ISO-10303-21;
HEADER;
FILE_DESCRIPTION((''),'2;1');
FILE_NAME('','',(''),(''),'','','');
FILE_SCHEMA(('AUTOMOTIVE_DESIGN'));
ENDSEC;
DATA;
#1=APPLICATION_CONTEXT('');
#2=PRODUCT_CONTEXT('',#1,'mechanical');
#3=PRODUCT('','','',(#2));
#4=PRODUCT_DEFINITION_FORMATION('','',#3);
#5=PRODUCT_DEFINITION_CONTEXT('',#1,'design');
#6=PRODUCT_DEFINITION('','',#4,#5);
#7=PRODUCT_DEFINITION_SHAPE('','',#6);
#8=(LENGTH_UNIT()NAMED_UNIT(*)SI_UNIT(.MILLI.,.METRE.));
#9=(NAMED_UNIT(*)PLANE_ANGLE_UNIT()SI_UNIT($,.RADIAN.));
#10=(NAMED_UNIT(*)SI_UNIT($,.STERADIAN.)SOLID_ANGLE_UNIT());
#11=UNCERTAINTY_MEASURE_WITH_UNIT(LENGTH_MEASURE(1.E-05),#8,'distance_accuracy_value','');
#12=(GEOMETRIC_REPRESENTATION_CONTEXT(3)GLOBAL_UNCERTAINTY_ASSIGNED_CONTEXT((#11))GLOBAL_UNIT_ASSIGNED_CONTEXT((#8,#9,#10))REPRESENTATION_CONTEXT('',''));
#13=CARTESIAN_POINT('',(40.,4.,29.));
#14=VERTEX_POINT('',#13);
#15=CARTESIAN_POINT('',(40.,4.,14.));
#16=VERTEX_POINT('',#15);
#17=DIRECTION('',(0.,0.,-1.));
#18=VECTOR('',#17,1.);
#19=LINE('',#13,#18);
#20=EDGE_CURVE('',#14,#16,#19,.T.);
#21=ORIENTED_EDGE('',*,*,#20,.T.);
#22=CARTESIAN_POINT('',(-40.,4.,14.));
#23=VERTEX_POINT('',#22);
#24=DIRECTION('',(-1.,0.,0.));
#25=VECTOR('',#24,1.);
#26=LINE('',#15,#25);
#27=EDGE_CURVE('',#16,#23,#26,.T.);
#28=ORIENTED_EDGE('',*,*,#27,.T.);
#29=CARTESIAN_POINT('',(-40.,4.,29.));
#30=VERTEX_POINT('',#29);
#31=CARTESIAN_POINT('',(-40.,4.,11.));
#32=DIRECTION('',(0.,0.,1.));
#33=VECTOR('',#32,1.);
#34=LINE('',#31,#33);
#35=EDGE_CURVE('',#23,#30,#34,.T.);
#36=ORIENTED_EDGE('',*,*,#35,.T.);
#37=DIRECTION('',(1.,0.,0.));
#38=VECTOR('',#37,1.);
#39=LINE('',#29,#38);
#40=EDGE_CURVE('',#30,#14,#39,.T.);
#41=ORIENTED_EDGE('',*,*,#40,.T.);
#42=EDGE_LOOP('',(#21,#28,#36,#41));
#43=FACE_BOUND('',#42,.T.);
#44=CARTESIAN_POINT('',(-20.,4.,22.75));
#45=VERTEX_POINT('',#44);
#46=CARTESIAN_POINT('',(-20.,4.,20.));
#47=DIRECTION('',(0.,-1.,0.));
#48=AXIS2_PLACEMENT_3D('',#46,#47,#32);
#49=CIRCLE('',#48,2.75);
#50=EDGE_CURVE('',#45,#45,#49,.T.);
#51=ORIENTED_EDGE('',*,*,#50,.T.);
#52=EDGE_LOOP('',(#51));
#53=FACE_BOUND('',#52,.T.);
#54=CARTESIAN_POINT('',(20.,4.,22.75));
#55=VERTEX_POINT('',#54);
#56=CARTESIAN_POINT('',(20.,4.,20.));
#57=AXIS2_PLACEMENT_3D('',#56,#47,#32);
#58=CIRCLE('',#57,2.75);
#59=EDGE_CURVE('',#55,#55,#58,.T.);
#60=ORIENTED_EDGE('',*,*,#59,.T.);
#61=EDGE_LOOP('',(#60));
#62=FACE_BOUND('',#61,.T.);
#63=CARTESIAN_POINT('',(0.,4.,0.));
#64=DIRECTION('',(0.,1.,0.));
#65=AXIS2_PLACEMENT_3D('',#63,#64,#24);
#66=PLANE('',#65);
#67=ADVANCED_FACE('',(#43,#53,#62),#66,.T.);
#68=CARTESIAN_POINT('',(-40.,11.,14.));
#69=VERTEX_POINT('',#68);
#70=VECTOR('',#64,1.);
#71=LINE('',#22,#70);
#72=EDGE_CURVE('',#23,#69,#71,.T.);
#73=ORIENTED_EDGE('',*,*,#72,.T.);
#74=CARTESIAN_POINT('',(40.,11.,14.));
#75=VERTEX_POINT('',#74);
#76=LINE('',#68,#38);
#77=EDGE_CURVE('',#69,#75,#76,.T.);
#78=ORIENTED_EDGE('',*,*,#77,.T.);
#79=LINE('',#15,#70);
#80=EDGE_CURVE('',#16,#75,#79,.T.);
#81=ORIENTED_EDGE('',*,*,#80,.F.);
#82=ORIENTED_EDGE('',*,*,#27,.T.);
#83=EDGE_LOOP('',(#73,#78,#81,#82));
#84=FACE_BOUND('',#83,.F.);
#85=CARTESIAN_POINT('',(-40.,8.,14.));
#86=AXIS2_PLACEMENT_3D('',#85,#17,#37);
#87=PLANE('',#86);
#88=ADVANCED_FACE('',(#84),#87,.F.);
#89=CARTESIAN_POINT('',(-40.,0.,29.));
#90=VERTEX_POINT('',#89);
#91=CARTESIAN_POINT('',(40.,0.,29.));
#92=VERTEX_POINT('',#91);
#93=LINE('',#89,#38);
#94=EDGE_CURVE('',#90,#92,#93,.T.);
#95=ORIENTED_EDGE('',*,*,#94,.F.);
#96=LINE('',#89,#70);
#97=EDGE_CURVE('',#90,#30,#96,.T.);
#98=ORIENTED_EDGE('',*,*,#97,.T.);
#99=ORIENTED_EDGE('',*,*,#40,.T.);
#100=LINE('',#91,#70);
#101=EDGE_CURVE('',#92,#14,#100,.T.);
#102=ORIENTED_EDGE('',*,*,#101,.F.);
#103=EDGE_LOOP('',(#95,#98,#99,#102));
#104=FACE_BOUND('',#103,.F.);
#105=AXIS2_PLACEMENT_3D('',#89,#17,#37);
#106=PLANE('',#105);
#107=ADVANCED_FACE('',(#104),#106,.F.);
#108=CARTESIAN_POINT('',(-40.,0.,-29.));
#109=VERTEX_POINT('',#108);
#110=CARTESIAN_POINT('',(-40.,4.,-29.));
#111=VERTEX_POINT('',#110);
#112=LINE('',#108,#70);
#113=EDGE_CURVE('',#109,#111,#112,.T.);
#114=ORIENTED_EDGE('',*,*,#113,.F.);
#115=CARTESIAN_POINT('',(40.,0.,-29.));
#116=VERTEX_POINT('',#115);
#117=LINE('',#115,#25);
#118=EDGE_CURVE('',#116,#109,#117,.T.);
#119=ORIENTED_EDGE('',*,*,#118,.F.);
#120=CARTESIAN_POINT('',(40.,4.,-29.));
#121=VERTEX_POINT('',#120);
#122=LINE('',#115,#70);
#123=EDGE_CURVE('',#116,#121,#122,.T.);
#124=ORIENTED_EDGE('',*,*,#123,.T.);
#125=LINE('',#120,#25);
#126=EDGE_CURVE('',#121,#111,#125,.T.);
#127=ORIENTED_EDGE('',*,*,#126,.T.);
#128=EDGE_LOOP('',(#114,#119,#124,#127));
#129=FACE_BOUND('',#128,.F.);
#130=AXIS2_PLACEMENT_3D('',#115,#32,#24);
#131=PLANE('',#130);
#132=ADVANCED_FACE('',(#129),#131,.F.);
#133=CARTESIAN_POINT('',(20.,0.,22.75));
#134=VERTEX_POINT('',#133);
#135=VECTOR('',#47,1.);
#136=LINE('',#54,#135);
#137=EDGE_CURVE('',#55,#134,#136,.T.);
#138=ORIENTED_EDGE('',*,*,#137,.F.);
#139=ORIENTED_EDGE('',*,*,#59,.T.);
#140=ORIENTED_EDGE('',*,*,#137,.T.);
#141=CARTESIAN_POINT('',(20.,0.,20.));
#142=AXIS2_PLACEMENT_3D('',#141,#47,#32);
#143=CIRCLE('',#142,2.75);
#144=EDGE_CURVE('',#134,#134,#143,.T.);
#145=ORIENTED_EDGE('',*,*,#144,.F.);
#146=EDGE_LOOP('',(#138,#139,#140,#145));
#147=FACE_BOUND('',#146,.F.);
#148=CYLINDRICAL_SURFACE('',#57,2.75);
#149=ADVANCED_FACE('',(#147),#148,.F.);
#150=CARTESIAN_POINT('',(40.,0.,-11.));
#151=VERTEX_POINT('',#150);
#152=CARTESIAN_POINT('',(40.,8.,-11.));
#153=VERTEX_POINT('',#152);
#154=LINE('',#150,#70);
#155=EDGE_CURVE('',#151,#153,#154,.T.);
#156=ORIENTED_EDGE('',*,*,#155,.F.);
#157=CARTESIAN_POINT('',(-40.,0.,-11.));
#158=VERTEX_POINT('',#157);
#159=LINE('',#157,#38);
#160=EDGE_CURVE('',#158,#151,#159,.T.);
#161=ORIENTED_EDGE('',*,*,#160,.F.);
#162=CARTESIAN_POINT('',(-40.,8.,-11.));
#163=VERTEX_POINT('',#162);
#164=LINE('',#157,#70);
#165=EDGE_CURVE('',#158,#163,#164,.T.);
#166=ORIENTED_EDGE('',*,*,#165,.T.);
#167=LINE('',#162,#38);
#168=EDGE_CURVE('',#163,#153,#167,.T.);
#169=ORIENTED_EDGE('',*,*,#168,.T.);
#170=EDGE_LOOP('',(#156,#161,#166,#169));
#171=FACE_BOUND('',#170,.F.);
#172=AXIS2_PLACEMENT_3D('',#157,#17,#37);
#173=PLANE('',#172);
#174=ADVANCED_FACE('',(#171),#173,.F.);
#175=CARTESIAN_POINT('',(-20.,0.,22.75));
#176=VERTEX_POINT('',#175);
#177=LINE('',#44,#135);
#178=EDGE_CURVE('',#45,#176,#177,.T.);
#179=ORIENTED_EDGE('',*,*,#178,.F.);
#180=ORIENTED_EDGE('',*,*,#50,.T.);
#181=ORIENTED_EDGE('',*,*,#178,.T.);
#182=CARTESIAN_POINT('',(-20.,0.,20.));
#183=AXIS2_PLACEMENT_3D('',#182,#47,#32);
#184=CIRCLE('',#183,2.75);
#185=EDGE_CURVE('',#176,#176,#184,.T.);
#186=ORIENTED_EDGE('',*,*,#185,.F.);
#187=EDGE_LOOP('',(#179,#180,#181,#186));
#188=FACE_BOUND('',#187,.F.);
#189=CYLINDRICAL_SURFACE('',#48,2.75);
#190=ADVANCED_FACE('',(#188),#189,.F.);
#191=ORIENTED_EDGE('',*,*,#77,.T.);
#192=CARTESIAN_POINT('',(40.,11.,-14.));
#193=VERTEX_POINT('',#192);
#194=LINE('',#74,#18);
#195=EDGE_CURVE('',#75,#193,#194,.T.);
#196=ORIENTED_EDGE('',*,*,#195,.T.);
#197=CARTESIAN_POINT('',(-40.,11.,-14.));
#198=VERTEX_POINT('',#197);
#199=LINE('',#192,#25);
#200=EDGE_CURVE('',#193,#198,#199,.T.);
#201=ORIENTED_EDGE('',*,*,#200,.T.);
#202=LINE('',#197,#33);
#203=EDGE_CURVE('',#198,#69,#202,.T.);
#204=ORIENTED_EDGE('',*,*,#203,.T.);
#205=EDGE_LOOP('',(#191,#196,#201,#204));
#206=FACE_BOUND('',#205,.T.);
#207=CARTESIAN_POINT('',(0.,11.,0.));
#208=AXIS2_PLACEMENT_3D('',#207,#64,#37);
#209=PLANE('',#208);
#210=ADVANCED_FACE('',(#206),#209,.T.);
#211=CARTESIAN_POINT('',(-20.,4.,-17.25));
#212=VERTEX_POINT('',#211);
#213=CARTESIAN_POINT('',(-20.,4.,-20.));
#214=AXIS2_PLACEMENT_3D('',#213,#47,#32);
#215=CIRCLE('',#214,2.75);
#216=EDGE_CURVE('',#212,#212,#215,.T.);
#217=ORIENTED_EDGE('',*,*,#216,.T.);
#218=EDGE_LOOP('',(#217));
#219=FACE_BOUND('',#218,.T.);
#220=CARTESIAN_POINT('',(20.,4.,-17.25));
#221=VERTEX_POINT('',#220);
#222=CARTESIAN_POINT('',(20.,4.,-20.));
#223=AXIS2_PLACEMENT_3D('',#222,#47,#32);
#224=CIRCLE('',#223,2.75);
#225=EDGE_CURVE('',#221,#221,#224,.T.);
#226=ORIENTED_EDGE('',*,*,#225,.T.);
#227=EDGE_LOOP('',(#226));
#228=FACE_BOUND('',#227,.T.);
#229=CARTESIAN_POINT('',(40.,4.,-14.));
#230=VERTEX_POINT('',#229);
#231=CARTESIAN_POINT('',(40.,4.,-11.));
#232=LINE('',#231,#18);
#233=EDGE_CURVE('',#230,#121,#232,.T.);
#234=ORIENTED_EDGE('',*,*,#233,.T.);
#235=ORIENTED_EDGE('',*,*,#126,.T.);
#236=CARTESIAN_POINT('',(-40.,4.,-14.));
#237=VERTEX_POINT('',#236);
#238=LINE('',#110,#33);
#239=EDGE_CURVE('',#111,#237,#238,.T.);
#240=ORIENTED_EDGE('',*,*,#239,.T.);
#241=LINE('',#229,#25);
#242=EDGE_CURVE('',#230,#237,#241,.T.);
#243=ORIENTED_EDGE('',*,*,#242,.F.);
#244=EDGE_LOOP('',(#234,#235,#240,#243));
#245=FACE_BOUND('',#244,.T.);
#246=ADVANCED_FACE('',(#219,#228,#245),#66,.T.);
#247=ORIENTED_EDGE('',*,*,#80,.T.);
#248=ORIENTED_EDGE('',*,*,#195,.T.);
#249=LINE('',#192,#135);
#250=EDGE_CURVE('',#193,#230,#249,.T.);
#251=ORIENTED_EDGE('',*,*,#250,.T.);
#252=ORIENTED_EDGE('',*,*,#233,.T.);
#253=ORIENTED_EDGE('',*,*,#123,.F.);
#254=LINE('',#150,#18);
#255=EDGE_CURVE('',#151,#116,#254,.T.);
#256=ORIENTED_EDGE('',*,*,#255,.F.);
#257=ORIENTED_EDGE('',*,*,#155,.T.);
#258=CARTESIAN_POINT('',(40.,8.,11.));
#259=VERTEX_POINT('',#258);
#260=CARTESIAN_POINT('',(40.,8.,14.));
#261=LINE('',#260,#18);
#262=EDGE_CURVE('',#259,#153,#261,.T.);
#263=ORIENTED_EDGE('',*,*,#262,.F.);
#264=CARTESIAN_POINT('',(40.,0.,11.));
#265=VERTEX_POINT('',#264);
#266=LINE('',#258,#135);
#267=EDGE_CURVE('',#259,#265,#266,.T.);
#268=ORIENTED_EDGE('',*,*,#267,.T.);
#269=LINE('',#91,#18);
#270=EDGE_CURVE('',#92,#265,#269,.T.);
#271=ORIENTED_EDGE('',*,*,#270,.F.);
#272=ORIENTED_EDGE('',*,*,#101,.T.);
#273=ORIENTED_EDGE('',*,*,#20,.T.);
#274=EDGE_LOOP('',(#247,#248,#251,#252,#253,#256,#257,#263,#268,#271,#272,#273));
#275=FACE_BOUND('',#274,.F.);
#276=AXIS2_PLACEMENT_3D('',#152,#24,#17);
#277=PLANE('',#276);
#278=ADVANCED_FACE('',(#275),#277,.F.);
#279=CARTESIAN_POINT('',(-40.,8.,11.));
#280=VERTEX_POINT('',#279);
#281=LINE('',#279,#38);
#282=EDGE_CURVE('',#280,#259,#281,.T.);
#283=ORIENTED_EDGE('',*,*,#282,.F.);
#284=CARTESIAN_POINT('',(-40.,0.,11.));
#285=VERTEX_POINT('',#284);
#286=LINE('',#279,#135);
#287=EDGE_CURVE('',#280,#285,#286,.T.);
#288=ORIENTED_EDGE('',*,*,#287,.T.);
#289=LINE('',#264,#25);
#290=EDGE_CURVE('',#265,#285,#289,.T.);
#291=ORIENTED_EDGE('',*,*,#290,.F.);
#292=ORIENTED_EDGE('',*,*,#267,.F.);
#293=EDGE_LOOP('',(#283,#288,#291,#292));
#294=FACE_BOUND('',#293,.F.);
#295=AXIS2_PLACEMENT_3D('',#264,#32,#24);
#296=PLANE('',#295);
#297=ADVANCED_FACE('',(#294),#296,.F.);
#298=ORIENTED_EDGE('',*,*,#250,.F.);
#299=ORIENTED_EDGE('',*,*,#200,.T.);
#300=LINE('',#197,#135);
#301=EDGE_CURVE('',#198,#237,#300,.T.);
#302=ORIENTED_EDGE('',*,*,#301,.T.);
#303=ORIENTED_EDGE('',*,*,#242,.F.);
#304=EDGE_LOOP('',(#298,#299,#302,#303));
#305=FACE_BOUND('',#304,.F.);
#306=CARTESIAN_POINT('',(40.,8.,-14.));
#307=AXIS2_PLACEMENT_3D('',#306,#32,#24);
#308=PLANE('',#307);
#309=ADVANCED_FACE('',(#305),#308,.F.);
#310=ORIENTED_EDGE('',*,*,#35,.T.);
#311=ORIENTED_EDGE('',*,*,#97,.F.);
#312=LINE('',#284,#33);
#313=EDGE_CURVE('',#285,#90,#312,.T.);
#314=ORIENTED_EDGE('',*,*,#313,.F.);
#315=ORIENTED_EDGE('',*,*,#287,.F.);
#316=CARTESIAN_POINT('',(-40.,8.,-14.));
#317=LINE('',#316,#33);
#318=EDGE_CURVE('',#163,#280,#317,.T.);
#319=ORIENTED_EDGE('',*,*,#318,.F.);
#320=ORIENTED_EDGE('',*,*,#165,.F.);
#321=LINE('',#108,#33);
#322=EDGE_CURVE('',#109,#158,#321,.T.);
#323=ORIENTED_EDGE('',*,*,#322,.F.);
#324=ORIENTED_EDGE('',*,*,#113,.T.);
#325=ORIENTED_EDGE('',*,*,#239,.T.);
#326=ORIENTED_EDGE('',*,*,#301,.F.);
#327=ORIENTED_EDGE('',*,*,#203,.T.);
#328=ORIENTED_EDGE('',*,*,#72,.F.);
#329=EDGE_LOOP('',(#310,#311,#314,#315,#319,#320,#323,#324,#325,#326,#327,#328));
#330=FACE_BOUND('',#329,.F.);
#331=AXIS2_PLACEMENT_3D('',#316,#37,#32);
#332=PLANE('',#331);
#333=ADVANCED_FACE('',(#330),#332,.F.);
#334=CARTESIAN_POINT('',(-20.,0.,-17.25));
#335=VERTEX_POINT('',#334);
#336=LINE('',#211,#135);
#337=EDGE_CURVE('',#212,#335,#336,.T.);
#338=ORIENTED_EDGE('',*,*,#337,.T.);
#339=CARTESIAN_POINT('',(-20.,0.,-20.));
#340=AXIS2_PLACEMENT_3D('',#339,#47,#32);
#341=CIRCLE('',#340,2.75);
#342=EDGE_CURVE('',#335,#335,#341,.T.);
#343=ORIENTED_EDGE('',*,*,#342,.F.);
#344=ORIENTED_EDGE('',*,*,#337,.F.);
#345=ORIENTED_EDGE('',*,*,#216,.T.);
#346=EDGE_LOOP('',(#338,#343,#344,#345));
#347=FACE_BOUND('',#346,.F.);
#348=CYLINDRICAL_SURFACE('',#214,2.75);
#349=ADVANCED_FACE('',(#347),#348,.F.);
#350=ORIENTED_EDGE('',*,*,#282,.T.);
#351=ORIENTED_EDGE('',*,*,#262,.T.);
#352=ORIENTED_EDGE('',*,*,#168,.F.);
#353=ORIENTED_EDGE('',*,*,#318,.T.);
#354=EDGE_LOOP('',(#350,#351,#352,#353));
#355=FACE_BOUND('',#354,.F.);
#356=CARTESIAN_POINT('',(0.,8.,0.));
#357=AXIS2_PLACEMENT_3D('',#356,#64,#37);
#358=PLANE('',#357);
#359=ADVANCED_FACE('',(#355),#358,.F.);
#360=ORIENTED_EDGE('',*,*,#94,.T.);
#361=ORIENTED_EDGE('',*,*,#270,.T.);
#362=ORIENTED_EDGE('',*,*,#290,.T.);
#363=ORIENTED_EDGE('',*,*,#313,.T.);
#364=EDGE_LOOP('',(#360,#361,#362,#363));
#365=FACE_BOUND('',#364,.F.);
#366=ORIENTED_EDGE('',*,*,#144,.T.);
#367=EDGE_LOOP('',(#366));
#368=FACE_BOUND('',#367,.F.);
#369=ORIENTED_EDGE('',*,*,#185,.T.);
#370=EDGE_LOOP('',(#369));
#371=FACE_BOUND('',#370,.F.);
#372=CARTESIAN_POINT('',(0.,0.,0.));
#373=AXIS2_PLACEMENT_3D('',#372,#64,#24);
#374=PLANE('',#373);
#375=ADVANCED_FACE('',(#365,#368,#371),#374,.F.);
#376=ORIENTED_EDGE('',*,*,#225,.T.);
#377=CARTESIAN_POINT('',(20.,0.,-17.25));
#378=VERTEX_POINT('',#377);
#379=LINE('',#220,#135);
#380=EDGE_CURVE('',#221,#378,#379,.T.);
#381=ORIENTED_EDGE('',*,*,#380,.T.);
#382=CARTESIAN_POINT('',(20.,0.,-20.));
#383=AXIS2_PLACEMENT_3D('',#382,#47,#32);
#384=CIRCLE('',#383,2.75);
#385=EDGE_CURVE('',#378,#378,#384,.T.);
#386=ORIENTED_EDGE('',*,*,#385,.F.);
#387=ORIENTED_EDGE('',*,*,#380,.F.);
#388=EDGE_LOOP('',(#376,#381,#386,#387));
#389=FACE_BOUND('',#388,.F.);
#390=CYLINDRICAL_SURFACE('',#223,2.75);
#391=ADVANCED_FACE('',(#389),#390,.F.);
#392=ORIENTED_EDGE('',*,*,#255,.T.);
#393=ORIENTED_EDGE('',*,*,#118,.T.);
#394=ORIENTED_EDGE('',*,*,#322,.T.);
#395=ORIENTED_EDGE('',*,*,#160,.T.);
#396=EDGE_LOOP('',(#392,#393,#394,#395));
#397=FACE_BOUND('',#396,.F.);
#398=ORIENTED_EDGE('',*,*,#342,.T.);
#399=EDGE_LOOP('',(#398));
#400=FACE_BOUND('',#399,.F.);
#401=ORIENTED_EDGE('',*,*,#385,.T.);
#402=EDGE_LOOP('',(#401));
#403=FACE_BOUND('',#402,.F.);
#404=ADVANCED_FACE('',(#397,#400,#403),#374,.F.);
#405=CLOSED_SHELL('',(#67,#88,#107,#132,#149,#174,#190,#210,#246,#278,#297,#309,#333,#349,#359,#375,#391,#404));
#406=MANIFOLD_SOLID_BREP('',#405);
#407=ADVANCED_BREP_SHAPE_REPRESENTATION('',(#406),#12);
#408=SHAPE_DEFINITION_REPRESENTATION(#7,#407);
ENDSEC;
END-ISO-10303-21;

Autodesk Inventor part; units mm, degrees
ref_plane "YZ Plane" through (0, 0, 0) normal (1, 0, 0) x (0, 1, 0)
ref_plane "XZ Plane" through (0, 0, 0) normal (0, 1, 0) x (-1, 0, 0)
ref_plane "XY Plane" through (0, 0, 0) normal (0, 0, 1) x (1, 0, 0)
sketch "Sketch1" plane through (0, 0, 0) normal (0, 1, 0) x (-1, 0, 0)
  line L0 (40, 29) -> (-40, 29)
  line L1 (-40, 29) -> (-40, 11)
  line L2 (-40, 11) -> (40, 11)
  line L3 (40, 11) -> (40, 29)
  line L4 (40, -11) -> (-40, -11)
  line L5 (-40, -11) -> (-40, -29)
  line L6 (-40, -29) -> (40, -29)
  line L7 (40, -29) -> (40, -11)
  line L8 (40, 11) -> (40, -11) construction
  point P0 (0, 0)
  point P1 (40, 0)
  point P2 (0, 29)
  dimension "d0" = 58
  dimension "d1" = 18
  dimension "d2" = 80
extrude "Extrusion1" add sketch "Sketch1" along normal blind 4
sketch "Sketch2" plane through (0, 4, 0) normal (0, 1, 0) x (1, 0, 0)
  line L0 (40, -29) -> (40, -11) projected
  line L1 (-40, -11) -> (40, -11)
  line L2 (40, -11) -> (40, -14)
  line L3 (40, -14) -> (-40, -14)
  line L4 (-40, -14) -> (-40, -11)
  line L5 (40, 11) -> (40, 29) projected
  line L6 (-40, 11) -> (40, 11)
  line L7 (40, 11) -> (40, 14)
  line L8 (40, 14) -> (-40, 14)
  line L9 (-40, 14) -> (-40, 11)
  point P0 (0, 0)
  dimension "d5" = 3
  dimension "d6" = 3
extrude "Extrusion2" add sketch "Sketch2" along normal blind 4
sketch "Sketch3" plane through (0, 8, 0) normal (0, 1, 0) x (1, 0, 0)
  line L0 (-40, -14) -> (40, -14) projected
  line L1 (40, 11) -> (40, 29) projected
  line L2 (-40, -14) -> (40, -14)
  line L3 (40, -14) -> (40, 14)
  line L4 (40, 14) -> (-40, 14)
  line L5 (-40, 14) -> (-40, -14)
  point P0 (0, 0)
extrude "Extrusion3" add sketch "Sketch3" along normal blind 3
sketch "Sketch4" plane through (0, 4, 0) normal (0, 1, 0) x (1, 0, 0)
  line L0 (-40, -29) -> (40, -29) projected
  line L1 (40, 29) -> (-40, 29) projected
  line L2 (-40, 29) -> (-40, 14) projected
  line L3 (40, 14) -> (40, 29) projected
  point P0 (0, 0)
  point P1 (-20, -20)
  point P2 (20, -20)
  point P3 (-20, 20)
  point P4 (20, 20)
  dimension "d12" = 9
  dimension "d13" = 9
  dimension "d14" = 20
  dimension "d15" = 20
hole "Hole1" at (-20, 4, 20) at (20, 4, 20) at (-20, 4, -20) at (20, 4, -20) direction (0, -1, 0) diameter 5.5 end through all
properties part number "Main Carriage - Wheel Base"
